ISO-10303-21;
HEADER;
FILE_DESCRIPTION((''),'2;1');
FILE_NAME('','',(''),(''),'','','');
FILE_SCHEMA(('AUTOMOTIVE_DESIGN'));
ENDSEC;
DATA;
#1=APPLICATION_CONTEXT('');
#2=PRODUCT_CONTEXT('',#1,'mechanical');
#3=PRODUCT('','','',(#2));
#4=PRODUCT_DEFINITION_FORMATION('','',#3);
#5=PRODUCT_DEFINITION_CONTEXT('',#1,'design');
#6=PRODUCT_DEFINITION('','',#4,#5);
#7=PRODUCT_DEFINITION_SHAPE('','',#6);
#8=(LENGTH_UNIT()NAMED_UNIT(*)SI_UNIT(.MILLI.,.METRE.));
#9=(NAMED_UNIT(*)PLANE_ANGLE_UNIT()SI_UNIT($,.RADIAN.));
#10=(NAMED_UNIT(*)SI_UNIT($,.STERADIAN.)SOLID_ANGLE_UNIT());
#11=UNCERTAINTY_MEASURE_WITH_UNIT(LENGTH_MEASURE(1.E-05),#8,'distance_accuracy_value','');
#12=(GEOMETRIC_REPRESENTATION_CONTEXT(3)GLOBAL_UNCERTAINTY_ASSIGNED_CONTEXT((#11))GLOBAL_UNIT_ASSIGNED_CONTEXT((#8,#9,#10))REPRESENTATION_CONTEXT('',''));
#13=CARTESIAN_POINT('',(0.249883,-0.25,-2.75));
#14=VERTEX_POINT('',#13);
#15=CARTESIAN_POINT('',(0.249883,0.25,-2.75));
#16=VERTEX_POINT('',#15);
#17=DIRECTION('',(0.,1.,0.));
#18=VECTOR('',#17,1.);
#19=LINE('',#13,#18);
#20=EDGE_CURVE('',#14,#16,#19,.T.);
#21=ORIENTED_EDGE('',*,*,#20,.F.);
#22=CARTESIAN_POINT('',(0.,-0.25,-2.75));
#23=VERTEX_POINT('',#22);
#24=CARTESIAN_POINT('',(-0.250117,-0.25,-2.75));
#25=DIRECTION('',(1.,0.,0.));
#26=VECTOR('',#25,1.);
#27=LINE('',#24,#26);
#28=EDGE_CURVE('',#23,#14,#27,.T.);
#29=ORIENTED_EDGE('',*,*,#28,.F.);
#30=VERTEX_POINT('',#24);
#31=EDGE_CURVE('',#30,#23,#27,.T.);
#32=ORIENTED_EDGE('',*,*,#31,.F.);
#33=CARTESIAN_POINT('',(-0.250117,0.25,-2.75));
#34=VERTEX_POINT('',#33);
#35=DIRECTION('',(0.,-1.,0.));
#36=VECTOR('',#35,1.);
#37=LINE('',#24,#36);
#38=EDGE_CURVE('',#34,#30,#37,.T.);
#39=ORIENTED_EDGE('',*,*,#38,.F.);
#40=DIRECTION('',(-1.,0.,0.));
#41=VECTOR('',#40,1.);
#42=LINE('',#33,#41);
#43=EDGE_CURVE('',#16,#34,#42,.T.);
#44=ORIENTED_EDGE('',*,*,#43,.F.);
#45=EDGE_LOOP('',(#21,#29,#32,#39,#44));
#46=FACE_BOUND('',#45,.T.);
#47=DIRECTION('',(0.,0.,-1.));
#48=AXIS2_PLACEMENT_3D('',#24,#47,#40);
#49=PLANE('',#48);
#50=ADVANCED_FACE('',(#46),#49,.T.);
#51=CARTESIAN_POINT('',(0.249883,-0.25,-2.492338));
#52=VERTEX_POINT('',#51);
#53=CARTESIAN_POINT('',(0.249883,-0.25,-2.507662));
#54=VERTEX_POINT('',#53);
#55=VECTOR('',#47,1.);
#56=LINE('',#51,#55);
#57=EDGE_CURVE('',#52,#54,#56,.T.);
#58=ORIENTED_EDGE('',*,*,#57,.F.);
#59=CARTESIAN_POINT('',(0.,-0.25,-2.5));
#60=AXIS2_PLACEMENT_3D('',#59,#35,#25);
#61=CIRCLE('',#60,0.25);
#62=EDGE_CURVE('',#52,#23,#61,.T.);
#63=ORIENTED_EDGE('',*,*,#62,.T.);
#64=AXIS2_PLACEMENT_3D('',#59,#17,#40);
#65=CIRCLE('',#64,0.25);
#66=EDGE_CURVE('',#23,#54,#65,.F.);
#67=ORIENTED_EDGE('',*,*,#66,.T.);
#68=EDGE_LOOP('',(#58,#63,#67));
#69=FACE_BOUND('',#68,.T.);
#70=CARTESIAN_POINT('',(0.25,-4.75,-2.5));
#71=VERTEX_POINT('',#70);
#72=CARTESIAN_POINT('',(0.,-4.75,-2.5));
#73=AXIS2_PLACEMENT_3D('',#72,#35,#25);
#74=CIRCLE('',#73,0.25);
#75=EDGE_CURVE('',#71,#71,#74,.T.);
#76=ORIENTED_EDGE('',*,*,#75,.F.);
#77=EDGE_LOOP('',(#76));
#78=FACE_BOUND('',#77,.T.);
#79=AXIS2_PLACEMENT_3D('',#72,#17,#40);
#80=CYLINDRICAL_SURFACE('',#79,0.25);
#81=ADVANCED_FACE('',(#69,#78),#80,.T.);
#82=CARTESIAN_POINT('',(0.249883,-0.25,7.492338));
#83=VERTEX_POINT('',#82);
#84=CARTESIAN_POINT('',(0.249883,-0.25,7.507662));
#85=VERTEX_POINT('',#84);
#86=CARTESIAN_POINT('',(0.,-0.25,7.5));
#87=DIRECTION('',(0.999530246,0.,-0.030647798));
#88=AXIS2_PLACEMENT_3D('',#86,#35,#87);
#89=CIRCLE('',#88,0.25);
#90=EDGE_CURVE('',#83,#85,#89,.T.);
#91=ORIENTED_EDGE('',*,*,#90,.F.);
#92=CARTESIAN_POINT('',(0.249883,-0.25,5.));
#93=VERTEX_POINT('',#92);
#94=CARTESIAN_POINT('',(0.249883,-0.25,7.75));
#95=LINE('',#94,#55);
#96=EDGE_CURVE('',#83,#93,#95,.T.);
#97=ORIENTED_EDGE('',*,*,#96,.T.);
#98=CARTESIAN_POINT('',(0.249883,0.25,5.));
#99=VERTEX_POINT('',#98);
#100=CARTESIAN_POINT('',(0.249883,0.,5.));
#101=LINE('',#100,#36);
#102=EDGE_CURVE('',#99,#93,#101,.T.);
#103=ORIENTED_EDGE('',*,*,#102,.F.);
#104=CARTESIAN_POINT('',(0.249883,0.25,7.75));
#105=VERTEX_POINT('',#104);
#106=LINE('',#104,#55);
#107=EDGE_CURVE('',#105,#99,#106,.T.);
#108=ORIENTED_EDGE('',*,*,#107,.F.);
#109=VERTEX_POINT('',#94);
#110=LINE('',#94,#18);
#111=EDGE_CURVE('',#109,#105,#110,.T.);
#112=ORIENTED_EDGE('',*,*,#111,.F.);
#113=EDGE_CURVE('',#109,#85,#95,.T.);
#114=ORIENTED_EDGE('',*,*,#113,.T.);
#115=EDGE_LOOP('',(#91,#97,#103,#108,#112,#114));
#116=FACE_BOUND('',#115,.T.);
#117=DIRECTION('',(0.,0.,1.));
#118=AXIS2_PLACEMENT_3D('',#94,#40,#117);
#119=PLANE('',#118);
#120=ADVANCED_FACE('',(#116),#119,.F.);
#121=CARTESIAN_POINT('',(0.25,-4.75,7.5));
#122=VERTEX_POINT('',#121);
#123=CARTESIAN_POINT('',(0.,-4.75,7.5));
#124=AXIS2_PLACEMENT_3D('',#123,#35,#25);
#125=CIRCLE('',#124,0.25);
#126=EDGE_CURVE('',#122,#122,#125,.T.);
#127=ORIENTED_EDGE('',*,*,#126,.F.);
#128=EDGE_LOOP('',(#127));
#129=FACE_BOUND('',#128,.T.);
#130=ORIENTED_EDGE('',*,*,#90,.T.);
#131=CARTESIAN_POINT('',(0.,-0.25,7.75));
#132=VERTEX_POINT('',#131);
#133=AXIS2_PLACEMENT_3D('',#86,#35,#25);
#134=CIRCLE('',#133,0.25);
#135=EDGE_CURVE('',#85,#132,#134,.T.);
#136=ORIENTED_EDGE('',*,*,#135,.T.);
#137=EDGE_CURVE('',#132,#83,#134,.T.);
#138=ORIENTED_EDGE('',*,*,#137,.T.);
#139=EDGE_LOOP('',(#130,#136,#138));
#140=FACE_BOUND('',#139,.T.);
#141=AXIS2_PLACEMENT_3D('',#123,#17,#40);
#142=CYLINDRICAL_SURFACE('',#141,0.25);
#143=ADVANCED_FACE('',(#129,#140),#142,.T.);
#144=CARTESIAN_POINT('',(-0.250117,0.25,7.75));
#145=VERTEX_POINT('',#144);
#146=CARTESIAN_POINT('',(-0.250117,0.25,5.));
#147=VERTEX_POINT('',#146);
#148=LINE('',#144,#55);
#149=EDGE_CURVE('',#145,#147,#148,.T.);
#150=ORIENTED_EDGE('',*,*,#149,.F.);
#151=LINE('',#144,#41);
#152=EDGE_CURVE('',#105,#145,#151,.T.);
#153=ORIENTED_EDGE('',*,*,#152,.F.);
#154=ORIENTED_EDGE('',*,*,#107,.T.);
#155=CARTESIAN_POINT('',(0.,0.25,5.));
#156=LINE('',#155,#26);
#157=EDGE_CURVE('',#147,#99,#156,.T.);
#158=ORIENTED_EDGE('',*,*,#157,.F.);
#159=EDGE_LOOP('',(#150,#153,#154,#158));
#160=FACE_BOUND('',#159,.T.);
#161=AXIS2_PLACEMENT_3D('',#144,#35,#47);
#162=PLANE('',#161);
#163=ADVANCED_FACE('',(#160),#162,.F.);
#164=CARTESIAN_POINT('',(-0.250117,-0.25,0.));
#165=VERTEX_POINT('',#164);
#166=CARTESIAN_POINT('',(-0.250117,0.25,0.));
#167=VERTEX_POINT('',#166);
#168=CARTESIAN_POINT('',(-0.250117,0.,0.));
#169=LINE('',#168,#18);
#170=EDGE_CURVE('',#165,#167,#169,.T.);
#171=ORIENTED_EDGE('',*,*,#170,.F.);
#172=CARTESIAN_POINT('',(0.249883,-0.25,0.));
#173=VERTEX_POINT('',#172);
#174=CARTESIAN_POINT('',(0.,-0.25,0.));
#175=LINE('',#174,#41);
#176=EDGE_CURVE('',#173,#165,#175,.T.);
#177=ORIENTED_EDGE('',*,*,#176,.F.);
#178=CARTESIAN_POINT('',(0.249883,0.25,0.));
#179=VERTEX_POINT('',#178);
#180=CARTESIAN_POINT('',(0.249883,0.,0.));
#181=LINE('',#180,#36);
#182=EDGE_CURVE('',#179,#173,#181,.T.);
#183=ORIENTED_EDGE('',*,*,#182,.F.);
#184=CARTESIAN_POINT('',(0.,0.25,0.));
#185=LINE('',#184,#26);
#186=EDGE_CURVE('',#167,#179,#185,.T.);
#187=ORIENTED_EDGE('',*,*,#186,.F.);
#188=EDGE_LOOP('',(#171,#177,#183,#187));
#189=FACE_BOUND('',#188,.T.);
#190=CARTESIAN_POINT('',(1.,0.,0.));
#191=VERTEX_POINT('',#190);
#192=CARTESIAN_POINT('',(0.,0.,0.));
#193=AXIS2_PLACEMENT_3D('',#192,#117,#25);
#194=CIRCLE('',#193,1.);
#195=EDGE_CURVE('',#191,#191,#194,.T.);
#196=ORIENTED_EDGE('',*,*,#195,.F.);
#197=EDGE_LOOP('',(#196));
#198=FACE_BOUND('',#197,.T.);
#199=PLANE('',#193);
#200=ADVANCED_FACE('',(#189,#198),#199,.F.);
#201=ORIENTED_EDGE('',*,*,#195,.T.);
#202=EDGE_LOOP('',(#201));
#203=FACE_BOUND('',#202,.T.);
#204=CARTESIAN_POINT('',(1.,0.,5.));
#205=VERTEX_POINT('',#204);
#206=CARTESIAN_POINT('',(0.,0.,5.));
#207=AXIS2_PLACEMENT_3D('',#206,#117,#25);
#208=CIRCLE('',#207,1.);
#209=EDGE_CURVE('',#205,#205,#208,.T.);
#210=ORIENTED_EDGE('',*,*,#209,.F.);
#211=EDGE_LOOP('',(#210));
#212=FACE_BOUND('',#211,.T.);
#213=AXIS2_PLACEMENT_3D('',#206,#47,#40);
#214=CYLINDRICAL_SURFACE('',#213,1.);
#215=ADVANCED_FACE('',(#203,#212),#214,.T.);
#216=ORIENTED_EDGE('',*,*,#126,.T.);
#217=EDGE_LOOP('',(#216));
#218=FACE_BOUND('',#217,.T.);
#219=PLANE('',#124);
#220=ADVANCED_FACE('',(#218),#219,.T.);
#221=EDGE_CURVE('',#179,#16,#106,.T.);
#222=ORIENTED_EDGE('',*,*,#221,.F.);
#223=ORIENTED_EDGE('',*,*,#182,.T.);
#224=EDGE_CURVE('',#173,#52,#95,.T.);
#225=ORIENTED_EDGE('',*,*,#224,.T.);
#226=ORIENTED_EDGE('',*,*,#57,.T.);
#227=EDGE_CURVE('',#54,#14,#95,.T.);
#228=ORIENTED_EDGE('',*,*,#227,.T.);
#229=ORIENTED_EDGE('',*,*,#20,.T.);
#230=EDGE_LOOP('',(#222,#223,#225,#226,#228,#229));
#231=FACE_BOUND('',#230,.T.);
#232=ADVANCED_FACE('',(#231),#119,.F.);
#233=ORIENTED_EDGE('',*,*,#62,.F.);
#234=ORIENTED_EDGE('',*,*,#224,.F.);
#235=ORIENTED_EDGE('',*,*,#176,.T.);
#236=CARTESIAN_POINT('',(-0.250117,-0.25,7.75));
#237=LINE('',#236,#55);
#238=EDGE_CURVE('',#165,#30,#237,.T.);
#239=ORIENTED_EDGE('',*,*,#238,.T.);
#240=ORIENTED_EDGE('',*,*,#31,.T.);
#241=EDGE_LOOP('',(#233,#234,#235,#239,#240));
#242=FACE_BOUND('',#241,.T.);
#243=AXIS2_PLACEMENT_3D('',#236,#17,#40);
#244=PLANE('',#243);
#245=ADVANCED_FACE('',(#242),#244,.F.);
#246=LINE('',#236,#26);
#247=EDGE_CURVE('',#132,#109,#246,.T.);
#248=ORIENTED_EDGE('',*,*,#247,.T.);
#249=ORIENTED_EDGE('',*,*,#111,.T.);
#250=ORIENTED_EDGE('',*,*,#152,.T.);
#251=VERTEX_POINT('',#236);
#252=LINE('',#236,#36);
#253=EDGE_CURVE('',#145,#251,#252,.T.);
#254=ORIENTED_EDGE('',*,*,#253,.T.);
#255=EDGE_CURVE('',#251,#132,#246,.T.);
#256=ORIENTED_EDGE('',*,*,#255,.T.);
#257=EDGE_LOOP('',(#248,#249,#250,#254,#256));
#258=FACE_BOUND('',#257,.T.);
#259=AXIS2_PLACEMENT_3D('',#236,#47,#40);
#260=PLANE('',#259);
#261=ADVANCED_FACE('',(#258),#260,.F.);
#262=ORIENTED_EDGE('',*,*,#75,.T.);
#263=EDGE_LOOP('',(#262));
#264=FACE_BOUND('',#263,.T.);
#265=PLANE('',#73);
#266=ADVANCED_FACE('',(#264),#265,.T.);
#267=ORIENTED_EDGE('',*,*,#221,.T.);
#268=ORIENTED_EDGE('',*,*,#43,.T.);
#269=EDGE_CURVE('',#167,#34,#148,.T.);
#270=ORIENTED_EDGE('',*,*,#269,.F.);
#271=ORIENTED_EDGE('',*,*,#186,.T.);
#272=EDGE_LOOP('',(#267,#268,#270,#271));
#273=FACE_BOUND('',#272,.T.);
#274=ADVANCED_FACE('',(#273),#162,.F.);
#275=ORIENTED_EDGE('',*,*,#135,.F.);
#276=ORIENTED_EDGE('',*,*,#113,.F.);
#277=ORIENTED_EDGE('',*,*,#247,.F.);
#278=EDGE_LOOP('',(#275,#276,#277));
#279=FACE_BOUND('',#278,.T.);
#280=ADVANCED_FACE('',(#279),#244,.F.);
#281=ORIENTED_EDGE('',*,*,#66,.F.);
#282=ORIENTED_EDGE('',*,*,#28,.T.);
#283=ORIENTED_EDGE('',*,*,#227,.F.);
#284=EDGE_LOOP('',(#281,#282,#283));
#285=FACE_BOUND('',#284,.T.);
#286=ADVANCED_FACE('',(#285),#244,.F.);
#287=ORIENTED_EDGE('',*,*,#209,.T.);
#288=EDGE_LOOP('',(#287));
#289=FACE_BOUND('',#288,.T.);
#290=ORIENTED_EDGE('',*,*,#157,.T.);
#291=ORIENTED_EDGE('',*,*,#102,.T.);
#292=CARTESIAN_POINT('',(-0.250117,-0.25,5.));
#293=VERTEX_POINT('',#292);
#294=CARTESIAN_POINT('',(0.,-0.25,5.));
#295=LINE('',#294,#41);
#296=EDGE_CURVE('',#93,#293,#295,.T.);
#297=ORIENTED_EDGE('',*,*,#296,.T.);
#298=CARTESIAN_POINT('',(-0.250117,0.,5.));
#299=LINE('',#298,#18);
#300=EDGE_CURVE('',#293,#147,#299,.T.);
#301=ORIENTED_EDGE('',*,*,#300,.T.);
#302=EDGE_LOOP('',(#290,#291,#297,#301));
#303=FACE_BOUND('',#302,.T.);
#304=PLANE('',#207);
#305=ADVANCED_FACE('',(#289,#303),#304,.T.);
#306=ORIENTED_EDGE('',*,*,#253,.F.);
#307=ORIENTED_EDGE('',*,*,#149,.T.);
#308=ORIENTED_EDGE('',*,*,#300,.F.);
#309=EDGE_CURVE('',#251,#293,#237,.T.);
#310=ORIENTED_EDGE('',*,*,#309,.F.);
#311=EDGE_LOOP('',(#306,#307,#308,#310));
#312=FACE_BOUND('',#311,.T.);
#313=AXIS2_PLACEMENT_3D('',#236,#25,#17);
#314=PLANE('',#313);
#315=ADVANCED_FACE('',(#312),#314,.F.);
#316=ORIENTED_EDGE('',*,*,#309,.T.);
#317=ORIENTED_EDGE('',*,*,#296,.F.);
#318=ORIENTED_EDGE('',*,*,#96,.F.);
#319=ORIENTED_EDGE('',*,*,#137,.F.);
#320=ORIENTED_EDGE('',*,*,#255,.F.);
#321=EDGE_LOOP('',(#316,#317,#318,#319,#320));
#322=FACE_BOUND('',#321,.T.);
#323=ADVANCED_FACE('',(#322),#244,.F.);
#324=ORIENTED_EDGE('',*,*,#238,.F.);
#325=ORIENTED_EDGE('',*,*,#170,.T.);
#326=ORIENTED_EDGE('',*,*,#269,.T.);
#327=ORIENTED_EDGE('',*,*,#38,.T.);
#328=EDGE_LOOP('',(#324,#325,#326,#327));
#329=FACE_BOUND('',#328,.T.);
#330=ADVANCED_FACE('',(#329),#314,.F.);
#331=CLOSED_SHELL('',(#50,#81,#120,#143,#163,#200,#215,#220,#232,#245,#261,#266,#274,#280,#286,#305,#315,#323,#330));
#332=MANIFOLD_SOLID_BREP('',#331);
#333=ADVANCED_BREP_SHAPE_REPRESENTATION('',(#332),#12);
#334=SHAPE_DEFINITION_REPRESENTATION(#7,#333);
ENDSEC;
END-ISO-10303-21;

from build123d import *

# Parameters (mm, degrees)
SKETCH_1_R           = 1
EXTRUDE_1_DEPTH      = 5
EXTRUDE_2_DEPTH      = 2.75
EXTRUDE_2_DEPTH_BACK = 7.75
SKETCH_2_W           = 0.5
SKETCH_2_H           = 0.5
SKETCH_3_R           = 0.25
EXTRUDE_3_DEPTH      = 4.5


with BuildPart() as part:
    # Эскиз1 → Вытянуть1 (new body)
    with BuildSketch(Plane.XY):
        Circle(SKETCH_1_R)
    extrude(amount=EXTRUDE_1_DEPTH)

    # Эскиз2 → Вытянуть2 (add, two sides: drawn at the far end of the back side and taken through both)
    with BuildSketch(Plane.XY.offset(5).offset(-EXTRUDE_2_DEPTH_BACK)):
        with Locations((-0.000117439, 0)):
            Rectangle(SKETCH_2_W, SKETCH_2_H)
    extrude(amount=EXTRUDE_2_DEPTH + EXTRUDE_2_DEPTH_BACK)

    # Эскиз3 → Вытянуть3 (add)
    with BuildSketch(Plane.XZ.offset(0.25)):
        with Locations((0, 7.5)):
            Circle(SKETCH_3_R)
        with Locations((0, -2.5)):
            Circle(SKETCH_3_R)
    extrude(amount=EXTRUDE_3_DEPTH)


solid = part.part
